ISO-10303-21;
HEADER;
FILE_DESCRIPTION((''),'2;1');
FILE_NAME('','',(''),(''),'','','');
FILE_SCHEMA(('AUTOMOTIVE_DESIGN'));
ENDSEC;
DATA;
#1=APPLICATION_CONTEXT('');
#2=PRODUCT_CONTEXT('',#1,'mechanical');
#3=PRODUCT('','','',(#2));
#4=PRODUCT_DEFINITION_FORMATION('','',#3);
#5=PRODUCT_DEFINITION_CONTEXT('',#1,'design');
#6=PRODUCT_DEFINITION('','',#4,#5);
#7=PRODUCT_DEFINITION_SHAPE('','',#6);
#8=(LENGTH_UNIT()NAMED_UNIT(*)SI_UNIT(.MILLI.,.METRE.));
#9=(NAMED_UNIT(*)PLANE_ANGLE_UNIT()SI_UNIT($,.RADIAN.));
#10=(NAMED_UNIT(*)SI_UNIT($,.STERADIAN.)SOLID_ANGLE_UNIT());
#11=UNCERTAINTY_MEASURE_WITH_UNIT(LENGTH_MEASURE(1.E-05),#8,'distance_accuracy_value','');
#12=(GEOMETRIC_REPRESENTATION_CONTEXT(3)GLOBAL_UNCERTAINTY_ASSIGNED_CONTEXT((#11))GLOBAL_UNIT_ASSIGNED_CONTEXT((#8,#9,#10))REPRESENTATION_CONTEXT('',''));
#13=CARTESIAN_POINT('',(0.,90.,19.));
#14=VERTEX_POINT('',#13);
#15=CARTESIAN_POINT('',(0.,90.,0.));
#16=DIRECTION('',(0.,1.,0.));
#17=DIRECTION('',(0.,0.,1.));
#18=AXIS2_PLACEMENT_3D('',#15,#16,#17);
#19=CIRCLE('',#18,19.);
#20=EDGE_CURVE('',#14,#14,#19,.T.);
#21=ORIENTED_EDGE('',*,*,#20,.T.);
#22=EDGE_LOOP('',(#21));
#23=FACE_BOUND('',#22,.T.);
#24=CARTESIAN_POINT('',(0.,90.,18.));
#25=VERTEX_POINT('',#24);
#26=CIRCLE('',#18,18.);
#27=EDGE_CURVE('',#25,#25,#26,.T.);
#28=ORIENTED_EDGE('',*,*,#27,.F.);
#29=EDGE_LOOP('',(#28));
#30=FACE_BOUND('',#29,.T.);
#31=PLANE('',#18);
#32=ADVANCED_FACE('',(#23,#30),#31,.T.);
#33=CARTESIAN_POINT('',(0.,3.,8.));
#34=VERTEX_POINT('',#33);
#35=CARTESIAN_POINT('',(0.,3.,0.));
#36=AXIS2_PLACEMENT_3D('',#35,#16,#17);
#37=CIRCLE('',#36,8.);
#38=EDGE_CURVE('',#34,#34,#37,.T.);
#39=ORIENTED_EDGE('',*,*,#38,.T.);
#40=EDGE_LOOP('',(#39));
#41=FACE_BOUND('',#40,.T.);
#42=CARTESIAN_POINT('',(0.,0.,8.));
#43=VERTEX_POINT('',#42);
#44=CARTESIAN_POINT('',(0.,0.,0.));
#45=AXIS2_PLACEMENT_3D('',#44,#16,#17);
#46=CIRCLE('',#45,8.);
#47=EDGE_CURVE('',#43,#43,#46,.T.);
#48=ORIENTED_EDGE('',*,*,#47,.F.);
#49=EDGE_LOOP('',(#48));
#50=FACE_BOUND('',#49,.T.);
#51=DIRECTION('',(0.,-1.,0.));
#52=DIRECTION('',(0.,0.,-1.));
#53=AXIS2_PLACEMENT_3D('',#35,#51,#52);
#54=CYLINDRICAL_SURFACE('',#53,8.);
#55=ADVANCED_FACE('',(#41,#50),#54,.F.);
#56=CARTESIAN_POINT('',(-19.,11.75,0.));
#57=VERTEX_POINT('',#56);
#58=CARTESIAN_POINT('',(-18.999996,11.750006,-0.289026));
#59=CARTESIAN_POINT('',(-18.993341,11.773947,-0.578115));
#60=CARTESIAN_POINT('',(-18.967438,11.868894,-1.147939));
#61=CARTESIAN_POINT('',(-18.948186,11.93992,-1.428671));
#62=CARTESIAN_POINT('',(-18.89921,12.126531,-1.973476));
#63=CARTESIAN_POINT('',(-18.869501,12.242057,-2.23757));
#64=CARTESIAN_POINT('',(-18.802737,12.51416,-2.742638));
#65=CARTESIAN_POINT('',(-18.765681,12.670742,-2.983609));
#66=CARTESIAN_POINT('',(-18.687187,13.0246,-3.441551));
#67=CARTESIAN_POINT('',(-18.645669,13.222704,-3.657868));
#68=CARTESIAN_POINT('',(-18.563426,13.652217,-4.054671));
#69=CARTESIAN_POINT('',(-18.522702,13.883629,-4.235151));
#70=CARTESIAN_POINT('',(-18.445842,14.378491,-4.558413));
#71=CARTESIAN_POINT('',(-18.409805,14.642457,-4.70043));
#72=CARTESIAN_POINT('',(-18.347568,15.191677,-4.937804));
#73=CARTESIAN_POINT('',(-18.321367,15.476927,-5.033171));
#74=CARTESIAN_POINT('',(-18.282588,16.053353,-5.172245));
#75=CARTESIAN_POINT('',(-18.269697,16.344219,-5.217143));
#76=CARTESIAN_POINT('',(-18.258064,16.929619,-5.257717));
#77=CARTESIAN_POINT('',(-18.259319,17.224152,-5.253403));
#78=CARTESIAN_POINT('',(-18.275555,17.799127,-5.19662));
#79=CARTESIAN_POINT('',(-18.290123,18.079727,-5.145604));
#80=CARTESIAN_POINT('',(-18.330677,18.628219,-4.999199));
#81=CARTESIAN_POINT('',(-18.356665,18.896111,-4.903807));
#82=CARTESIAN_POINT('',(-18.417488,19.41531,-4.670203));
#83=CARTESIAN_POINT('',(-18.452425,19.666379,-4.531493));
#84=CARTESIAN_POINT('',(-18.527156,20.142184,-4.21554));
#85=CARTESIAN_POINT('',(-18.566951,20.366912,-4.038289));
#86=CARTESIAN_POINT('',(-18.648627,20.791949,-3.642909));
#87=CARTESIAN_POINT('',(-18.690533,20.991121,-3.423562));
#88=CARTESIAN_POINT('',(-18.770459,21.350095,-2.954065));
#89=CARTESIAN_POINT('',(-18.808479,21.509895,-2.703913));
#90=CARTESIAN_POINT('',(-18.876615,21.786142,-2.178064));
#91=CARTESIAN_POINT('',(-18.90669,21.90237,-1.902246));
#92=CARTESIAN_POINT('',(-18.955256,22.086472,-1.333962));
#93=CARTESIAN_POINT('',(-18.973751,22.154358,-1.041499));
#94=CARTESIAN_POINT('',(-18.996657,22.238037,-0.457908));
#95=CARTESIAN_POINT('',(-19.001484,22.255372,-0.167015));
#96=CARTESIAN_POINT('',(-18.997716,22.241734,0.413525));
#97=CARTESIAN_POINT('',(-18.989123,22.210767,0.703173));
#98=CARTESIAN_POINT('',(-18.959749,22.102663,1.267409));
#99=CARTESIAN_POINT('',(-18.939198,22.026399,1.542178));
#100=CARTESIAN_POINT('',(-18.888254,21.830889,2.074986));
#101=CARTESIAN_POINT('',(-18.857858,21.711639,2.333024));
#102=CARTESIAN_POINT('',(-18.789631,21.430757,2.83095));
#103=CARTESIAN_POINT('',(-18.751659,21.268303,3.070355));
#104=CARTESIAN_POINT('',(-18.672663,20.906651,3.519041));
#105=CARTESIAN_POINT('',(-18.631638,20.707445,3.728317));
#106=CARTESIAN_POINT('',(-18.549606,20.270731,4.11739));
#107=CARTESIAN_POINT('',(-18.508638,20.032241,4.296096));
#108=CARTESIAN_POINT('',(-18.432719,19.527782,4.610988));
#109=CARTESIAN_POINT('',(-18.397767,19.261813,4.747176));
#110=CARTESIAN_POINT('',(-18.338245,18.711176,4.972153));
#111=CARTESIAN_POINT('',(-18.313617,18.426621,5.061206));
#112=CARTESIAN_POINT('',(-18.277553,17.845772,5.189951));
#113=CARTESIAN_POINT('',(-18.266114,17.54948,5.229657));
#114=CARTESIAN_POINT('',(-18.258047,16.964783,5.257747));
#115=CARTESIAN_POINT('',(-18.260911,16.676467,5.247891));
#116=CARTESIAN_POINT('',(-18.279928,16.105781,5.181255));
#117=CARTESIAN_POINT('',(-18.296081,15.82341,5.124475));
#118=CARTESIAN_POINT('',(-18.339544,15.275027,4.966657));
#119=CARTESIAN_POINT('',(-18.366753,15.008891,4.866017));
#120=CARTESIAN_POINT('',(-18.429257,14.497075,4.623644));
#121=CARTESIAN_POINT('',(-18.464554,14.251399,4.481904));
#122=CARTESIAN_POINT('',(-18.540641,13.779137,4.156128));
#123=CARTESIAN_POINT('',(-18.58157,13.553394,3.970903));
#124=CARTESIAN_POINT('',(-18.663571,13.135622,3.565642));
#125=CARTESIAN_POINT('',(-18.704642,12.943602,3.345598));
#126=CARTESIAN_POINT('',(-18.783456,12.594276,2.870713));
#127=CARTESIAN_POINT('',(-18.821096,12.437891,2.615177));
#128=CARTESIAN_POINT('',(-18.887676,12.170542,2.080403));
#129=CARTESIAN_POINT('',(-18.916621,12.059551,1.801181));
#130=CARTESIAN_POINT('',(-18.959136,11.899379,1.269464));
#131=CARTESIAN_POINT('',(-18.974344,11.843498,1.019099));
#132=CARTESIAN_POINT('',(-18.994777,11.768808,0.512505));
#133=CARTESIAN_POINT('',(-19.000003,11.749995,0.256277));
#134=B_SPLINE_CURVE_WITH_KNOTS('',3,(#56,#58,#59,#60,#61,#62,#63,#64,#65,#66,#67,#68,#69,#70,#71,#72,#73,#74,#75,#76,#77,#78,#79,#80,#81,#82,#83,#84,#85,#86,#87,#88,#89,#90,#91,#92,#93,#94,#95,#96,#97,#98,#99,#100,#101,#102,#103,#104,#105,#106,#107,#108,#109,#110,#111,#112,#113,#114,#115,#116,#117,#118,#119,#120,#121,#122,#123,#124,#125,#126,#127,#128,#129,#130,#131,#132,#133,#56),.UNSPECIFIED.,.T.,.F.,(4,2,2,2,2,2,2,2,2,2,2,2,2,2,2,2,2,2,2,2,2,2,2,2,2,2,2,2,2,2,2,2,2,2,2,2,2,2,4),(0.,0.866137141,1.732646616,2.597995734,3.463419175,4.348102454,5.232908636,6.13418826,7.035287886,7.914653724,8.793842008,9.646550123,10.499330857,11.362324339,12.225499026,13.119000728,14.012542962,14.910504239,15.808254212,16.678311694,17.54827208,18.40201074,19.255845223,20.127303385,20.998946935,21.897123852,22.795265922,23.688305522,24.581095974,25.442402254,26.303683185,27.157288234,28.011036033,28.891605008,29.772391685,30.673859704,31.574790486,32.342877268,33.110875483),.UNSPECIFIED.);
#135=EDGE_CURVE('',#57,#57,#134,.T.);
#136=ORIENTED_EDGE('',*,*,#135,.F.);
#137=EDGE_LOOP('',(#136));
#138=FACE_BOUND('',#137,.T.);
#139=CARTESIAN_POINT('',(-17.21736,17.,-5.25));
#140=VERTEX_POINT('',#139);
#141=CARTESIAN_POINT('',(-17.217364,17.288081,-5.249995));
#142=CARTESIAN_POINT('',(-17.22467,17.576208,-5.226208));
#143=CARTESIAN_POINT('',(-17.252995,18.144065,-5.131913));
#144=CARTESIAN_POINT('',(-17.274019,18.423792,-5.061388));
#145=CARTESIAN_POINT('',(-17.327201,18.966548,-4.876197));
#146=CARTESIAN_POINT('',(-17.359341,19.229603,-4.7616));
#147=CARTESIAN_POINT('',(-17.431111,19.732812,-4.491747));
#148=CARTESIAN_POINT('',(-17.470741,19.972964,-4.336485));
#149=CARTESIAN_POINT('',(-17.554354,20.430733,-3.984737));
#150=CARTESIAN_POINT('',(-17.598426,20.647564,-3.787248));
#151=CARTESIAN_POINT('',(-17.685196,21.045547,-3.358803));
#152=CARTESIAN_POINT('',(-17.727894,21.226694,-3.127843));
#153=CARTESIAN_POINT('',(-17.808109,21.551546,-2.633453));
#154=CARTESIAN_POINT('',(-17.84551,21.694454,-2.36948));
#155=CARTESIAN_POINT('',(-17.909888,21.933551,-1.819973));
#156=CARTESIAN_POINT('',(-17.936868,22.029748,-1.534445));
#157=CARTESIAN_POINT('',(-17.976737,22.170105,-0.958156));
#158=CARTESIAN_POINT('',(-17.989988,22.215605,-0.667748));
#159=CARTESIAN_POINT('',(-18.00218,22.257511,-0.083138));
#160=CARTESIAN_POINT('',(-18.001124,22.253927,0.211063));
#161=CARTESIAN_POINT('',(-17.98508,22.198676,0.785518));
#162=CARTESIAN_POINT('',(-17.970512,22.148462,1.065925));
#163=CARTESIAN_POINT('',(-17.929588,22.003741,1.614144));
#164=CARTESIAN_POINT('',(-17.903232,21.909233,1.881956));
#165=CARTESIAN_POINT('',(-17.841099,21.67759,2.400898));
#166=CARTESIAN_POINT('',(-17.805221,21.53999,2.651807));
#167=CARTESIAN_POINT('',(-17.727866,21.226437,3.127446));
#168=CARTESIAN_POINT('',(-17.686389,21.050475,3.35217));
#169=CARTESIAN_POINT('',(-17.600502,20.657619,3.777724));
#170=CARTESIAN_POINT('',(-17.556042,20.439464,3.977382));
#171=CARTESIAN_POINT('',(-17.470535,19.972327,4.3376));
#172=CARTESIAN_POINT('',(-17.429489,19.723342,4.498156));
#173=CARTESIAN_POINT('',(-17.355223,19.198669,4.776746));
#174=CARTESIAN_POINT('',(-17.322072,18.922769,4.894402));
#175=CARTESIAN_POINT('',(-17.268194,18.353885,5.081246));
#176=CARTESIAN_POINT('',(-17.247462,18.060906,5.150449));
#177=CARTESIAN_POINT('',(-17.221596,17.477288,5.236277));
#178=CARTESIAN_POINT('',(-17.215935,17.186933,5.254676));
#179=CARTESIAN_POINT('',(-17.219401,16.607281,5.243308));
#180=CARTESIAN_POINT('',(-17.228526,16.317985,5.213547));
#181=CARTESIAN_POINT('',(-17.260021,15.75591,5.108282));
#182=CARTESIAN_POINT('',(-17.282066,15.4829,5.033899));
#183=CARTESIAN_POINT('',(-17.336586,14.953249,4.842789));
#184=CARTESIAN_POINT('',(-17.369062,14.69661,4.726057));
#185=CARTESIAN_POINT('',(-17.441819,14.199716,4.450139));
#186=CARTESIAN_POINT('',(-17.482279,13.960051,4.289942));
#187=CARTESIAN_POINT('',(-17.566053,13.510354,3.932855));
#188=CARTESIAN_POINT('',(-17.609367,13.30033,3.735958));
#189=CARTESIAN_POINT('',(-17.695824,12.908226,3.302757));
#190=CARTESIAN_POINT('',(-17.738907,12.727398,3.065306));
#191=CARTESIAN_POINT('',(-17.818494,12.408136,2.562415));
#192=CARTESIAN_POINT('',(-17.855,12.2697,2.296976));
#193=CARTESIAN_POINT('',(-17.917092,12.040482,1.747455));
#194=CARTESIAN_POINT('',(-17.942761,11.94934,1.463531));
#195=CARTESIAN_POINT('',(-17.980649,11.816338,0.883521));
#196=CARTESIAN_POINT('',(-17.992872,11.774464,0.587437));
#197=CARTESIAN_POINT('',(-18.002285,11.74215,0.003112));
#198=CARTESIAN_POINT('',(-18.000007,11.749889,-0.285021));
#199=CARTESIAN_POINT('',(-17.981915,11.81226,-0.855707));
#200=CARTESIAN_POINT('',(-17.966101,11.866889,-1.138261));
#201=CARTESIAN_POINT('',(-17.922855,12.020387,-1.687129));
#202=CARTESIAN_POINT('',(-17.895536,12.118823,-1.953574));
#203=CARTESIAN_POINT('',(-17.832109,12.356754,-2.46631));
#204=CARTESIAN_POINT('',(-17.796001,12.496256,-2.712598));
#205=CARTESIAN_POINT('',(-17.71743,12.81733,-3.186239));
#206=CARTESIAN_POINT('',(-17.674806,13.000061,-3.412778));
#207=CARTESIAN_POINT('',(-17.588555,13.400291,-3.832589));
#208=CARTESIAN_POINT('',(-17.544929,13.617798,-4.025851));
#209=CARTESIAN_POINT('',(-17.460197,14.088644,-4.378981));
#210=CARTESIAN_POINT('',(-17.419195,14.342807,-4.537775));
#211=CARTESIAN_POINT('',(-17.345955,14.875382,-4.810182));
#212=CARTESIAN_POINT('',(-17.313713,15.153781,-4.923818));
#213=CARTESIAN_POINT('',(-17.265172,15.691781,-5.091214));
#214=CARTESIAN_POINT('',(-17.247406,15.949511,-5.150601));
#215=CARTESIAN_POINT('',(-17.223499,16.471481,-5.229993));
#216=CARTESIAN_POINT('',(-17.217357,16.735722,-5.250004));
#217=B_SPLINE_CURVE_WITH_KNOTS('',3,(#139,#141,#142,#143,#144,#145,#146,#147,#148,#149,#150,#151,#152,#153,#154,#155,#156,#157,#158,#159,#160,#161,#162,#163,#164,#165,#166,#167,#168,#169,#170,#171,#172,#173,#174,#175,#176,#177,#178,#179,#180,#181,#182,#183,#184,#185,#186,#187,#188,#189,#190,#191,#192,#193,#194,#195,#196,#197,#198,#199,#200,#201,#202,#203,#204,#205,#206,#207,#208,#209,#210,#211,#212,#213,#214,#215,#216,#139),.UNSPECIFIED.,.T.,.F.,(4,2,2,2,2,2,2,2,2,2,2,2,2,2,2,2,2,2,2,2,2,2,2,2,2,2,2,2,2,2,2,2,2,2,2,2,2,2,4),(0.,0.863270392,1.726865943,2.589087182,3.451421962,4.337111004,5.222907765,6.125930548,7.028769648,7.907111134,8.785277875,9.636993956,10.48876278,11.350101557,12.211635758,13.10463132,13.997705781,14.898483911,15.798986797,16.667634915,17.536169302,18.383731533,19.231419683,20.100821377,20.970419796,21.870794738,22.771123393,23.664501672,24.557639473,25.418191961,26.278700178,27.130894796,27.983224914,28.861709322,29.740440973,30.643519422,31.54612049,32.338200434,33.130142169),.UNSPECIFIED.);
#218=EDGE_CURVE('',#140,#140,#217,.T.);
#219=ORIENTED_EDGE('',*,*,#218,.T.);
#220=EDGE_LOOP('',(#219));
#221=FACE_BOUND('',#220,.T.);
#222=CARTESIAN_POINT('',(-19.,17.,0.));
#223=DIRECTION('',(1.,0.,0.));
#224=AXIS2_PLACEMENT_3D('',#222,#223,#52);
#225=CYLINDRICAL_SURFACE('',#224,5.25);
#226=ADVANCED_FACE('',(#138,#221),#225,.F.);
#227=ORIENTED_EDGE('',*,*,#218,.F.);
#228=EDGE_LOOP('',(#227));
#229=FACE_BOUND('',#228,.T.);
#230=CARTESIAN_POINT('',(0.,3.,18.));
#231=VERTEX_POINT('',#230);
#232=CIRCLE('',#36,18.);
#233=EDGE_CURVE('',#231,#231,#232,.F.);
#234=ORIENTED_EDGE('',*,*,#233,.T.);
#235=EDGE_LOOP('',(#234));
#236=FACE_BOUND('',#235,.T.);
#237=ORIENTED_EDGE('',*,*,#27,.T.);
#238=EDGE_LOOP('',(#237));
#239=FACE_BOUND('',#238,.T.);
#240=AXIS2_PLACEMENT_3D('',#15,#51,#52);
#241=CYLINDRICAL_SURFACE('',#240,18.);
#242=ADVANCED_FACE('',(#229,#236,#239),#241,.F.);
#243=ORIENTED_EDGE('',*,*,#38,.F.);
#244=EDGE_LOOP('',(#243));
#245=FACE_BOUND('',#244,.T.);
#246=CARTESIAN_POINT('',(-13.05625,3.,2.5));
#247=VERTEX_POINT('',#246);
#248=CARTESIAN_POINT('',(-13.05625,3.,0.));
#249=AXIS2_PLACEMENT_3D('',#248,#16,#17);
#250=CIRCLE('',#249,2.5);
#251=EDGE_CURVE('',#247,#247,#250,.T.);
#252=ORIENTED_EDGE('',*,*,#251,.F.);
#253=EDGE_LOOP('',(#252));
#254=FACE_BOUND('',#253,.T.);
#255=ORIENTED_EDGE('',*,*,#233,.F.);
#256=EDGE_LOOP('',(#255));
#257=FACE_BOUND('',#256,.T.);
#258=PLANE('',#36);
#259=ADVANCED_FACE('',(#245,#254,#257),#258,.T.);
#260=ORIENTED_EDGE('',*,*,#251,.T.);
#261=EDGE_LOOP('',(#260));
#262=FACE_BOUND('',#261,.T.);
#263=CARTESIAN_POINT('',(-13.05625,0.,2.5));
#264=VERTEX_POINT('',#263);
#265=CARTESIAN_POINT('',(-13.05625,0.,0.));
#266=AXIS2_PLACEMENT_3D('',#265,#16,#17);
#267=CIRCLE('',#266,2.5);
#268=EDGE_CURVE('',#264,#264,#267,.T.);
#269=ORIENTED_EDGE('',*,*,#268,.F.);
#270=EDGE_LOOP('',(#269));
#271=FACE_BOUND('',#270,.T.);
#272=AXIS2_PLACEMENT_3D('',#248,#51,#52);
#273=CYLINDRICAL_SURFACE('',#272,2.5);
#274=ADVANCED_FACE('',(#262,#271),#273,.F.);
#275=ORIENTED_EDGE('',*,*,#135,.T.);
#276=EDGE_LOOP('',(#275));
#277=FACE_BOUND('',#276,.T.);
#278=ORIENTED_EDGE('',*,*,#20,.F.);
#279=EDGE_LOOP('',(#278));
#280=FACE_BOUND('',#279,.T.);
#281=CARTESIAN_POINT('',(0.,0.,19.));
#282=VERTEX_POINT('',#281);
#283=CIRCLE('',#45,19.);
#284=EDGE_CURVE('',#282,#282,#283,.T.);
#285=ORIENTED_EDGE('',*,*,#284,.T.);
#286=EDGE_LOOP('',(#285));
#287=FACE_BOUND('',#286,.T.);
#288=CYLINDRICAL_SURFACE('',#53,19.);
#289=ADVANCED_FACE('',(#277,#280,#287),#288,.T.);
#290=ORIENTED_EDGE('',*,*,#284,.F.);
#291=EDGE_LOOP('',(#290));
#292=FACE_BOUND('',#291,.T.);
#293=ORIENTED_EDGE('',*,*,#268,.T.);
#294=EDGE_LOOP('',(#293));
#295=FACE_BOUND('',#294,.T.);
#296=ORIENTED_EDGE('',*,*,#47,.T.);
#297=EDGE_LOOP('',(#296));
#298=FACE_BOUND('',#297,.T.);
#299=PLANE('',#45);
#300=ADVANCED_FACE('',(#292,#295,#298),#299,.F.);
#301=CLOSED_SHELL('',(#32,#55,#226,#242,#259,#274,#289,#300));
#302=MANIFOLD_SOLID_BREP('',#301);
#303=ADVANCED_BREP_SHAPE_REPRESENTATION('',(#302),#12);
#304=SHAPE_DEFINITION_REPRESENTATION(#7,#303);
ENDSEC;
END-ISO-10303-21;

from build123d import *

# Parameters (mm, degrees)
SKETCH1_R           = 19
SKETCH1_R_2         = 8
SKETCH1_R_3         = 2.5
BOSS_EXTRUDE1_DEPTH = 3
SKETCH1_5_R         = 19
SKETCH1_5_R_2       = 18
BOSS_EXTRUDE2_DEPTH = 90
SKETCH2_R           = 5.25
CUT_EXTRUDE1_DEPTH  = 94.925502394


with BuildPart() as part:
    # Sketch1 → Boss-Extrude1 (new body)
    with BuildSketch(Plane(origin=(0, 0, 0), x_dir=(1, 0, 0), z_dir=(0, 1, 0))):
        Circle(SKETCH1_R)
        Circle(SKETCH1_R_2, mode=Mode.SUBTRACT)
        with Locations((-13.05625, 0)):
            Circle(SKETCH1_R_3, mode=Mode.SUBTRACT)
    extrude(amount=BOSS_EXTRUDE1_DEPTH)

    # Sketch1<5> → Boss-Extrude2 (add)
    with BuildSketch(Plane(origin=(0, 0, 0), x_dir=(1, 0, 0), z_dir=(0, 1, 0))):
        Circle(SKETCH1_5_R)
        Circle(SKETCH1_5_R_2, mode=Mode.SUBTRACT)
    extrude(amount=BOSS_EXTRUDE2_DEPTH)

    # Sketch2 → Cut-Extrude1 (cut, through all)
    with BuildSketch(Plane(origin=(0, 0, 0), x_dir=(0, 0, -1), z_dir=(1, 0, 0))):
        with Locations((0, 17)):
            Circle(SKETCH2_R)
    extrude(amount=-CUT_EXTRUDE1_DEPTH, mode=Mode.SUBTRACT)


solid = part.part
